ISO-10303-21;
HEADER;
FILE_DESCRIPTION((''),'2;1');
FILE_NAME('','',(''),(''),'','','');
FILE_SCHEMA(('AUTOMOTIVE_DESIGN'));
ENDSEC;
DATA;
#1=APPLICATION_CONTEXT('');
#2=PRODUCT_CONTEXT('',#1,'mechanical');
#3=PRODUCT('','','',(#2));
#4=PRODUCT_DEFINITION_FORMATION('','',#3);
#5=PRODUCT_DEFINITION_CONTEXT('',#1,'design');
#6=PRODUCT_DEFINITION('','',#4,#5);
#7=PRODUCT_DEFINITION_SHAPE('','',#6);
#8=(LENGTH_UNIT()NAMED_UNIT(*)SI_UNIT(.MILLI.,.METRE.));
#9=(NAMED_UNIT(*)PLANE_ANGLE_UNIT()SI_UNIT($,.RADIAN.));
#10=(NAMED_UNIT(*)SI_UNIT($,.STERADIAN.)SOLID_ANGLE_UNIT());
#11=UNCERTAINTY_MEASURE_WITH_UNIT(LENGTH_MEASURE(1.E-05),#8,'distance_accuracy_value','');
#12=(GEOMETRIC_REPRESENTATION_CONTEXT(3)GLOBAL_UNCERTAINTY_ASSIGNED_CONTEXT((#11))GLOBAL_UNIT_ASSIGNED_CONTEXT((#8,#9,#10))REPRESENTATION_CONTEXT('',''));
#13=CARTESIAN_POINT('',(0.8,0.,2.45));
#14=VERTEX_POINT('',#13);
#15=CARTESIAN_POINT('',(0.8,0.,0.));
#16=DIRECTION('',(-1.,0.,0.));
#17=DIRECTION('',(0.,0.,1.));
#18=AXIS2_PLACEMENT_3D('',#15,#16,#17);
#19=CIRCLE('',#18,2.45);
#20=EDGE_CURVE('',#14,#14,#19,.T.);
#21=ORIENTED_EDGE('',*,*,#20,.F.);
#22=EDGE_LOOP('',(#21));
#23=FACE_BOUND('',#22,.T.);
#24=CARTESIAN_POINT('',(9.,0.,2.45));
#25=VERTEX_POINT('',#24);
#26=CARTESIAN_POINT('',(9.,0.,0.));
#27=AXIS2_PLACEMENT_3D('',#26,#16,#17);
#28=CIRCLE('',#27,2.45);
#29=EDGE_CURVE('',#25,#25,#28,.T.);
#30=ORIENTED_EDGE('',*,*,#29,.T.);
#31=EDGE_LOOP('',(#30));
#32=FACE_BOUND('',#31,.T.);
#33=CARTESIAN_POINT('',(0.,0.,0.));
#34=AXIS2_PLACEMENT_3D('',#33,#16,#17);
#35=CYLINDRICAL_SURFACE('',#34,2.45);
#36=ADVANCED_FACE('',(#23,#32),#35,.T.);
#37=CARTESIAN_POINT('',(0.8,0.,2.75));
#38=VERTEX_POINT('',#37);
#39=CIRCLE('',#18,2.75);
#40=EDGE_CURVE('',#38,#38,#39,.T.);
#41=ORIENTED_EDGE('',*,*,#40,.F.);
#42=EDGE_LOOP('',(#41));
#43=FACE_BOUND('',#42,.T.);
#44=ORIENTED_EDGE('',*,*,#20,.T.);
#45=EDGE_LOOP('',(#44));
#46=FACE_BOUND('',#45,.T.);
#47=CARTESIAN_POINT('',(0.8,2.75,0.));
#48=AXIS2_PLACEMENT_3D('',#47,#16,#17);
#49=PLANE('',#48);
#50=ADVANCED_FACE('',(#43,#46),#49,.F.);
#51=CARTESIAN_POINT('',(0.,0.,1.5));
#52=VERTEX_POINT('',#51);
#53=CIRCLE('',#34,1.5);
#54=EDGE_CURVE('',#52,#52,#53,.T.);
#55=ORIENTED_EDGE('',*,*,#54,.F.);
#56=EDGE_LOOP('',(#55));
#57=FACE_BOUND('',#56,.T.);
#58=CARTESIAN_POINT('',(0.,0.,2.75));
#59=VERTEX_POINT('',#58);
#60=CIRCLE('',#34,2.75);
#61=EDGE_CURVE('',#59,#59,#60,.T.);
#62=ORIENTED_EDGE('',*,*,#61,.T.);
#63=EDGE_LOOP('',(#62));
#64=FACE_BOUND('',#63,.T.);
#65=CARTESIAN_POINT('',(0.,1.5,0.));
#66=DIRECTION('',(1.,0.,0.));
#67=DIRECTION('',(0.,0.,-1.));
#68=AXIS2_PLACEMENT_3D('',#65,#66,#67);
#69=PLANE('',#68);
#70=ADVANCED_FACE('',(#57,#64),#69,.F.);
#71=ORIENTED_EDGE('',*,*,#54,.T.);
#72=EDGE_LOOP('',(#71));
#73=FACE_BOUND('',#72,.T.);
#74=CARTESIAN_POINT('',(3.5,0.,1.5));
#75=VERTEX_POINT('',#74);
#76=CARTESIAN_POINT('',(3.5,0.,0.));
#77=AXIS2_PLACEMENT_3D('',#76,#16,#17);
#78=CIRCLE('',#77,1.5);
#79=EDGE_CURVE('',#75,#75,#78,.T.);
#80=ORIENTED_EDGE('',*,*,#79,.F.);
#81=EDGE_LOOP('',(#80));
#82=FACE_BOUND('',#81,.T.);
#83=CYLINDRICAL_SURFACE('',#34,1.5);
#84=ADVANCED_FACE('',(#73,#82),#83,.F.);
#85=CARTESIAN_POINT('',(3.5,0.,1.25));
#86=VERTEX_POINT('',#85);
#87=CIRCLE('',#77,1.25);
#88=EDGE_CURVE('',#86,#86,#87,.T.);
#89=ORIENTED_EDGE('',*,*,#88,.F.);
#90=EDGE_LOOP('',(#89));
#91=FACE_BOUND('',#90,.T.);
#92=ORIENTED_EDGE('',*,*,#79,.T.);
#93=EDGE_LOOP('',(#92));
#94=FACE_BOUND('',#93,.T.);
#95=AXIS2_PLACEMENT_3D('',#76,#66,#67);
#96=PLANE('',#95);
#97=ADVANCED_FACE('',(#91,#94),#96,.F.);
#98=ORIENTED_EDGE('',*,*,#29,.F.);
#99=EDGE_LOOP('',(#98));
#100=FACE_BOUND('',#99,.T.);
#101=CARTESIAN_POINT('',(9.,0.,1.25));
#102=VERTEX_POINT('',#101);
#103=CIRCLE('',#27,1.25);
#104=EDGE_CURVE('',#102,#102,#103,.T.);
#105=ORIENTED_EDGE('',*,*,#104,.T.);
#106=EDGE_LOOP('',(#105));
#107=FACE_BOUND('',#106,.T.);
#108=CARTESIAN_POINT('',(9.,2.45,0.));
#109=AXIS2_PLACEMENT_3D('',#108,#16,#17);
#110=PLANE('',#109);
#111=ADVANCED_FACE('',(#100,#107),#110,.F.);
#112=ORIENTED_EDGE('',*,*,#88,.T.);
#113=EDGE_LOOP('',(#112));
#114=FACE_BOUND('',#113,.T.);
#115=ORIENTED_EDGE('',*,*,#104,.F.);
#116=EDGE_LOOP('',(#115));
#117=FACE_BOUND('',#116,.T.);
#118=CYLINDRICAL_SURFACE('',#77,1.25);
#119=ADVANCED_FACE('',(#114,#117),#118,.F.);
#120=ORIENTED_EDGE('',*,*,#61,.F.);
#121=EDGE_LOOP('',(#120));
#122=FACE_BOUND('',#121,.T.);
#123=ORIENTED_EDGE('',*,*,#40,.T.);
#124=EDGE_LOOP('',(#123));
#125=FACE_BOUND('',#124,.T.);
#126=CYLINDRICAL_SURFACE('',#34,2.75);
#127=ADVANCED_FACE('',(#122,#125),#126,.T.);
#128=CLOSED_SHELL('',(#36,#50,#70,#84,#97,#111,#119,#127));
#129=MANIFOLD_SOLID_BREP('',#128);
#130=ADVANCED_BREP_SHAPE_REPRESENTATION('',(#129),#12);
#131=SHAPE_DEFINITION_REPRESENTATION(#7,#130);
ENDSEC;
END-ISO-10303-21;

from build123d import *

# Parameters (mm, degrees)
HOLE_WIZARD_M3_1_D = 2.5


with BuildPart() as part:
    # 草图1 → 旋转1 (revolve)
    with BuildSketch(Plane.XY, mode=Mode.PRIVATE) as revolve_1_sk:
        Polygon((0, 1.5), (0, 2.75), (0.8, 2.75), (0.8, 2.45), (9, 2.45), (9, 0), (3.5, 0), (3.5, 1.5), align=None)
    revolve(revolve_1_sk.sketch.rotate(Axis((0, 0, 0), (1, 0, 0)), 90), axis=Axis((0, 0, 0), (1, 0, 0)))

    # M3 螺纹孔1 (through all)
    with Locations(Plane.ZY.offset(-3.5)):
        with Locations((0, 0)):
            Hole(HOLE_WIZARD_M3_1_D / 2)


solid = part.part
